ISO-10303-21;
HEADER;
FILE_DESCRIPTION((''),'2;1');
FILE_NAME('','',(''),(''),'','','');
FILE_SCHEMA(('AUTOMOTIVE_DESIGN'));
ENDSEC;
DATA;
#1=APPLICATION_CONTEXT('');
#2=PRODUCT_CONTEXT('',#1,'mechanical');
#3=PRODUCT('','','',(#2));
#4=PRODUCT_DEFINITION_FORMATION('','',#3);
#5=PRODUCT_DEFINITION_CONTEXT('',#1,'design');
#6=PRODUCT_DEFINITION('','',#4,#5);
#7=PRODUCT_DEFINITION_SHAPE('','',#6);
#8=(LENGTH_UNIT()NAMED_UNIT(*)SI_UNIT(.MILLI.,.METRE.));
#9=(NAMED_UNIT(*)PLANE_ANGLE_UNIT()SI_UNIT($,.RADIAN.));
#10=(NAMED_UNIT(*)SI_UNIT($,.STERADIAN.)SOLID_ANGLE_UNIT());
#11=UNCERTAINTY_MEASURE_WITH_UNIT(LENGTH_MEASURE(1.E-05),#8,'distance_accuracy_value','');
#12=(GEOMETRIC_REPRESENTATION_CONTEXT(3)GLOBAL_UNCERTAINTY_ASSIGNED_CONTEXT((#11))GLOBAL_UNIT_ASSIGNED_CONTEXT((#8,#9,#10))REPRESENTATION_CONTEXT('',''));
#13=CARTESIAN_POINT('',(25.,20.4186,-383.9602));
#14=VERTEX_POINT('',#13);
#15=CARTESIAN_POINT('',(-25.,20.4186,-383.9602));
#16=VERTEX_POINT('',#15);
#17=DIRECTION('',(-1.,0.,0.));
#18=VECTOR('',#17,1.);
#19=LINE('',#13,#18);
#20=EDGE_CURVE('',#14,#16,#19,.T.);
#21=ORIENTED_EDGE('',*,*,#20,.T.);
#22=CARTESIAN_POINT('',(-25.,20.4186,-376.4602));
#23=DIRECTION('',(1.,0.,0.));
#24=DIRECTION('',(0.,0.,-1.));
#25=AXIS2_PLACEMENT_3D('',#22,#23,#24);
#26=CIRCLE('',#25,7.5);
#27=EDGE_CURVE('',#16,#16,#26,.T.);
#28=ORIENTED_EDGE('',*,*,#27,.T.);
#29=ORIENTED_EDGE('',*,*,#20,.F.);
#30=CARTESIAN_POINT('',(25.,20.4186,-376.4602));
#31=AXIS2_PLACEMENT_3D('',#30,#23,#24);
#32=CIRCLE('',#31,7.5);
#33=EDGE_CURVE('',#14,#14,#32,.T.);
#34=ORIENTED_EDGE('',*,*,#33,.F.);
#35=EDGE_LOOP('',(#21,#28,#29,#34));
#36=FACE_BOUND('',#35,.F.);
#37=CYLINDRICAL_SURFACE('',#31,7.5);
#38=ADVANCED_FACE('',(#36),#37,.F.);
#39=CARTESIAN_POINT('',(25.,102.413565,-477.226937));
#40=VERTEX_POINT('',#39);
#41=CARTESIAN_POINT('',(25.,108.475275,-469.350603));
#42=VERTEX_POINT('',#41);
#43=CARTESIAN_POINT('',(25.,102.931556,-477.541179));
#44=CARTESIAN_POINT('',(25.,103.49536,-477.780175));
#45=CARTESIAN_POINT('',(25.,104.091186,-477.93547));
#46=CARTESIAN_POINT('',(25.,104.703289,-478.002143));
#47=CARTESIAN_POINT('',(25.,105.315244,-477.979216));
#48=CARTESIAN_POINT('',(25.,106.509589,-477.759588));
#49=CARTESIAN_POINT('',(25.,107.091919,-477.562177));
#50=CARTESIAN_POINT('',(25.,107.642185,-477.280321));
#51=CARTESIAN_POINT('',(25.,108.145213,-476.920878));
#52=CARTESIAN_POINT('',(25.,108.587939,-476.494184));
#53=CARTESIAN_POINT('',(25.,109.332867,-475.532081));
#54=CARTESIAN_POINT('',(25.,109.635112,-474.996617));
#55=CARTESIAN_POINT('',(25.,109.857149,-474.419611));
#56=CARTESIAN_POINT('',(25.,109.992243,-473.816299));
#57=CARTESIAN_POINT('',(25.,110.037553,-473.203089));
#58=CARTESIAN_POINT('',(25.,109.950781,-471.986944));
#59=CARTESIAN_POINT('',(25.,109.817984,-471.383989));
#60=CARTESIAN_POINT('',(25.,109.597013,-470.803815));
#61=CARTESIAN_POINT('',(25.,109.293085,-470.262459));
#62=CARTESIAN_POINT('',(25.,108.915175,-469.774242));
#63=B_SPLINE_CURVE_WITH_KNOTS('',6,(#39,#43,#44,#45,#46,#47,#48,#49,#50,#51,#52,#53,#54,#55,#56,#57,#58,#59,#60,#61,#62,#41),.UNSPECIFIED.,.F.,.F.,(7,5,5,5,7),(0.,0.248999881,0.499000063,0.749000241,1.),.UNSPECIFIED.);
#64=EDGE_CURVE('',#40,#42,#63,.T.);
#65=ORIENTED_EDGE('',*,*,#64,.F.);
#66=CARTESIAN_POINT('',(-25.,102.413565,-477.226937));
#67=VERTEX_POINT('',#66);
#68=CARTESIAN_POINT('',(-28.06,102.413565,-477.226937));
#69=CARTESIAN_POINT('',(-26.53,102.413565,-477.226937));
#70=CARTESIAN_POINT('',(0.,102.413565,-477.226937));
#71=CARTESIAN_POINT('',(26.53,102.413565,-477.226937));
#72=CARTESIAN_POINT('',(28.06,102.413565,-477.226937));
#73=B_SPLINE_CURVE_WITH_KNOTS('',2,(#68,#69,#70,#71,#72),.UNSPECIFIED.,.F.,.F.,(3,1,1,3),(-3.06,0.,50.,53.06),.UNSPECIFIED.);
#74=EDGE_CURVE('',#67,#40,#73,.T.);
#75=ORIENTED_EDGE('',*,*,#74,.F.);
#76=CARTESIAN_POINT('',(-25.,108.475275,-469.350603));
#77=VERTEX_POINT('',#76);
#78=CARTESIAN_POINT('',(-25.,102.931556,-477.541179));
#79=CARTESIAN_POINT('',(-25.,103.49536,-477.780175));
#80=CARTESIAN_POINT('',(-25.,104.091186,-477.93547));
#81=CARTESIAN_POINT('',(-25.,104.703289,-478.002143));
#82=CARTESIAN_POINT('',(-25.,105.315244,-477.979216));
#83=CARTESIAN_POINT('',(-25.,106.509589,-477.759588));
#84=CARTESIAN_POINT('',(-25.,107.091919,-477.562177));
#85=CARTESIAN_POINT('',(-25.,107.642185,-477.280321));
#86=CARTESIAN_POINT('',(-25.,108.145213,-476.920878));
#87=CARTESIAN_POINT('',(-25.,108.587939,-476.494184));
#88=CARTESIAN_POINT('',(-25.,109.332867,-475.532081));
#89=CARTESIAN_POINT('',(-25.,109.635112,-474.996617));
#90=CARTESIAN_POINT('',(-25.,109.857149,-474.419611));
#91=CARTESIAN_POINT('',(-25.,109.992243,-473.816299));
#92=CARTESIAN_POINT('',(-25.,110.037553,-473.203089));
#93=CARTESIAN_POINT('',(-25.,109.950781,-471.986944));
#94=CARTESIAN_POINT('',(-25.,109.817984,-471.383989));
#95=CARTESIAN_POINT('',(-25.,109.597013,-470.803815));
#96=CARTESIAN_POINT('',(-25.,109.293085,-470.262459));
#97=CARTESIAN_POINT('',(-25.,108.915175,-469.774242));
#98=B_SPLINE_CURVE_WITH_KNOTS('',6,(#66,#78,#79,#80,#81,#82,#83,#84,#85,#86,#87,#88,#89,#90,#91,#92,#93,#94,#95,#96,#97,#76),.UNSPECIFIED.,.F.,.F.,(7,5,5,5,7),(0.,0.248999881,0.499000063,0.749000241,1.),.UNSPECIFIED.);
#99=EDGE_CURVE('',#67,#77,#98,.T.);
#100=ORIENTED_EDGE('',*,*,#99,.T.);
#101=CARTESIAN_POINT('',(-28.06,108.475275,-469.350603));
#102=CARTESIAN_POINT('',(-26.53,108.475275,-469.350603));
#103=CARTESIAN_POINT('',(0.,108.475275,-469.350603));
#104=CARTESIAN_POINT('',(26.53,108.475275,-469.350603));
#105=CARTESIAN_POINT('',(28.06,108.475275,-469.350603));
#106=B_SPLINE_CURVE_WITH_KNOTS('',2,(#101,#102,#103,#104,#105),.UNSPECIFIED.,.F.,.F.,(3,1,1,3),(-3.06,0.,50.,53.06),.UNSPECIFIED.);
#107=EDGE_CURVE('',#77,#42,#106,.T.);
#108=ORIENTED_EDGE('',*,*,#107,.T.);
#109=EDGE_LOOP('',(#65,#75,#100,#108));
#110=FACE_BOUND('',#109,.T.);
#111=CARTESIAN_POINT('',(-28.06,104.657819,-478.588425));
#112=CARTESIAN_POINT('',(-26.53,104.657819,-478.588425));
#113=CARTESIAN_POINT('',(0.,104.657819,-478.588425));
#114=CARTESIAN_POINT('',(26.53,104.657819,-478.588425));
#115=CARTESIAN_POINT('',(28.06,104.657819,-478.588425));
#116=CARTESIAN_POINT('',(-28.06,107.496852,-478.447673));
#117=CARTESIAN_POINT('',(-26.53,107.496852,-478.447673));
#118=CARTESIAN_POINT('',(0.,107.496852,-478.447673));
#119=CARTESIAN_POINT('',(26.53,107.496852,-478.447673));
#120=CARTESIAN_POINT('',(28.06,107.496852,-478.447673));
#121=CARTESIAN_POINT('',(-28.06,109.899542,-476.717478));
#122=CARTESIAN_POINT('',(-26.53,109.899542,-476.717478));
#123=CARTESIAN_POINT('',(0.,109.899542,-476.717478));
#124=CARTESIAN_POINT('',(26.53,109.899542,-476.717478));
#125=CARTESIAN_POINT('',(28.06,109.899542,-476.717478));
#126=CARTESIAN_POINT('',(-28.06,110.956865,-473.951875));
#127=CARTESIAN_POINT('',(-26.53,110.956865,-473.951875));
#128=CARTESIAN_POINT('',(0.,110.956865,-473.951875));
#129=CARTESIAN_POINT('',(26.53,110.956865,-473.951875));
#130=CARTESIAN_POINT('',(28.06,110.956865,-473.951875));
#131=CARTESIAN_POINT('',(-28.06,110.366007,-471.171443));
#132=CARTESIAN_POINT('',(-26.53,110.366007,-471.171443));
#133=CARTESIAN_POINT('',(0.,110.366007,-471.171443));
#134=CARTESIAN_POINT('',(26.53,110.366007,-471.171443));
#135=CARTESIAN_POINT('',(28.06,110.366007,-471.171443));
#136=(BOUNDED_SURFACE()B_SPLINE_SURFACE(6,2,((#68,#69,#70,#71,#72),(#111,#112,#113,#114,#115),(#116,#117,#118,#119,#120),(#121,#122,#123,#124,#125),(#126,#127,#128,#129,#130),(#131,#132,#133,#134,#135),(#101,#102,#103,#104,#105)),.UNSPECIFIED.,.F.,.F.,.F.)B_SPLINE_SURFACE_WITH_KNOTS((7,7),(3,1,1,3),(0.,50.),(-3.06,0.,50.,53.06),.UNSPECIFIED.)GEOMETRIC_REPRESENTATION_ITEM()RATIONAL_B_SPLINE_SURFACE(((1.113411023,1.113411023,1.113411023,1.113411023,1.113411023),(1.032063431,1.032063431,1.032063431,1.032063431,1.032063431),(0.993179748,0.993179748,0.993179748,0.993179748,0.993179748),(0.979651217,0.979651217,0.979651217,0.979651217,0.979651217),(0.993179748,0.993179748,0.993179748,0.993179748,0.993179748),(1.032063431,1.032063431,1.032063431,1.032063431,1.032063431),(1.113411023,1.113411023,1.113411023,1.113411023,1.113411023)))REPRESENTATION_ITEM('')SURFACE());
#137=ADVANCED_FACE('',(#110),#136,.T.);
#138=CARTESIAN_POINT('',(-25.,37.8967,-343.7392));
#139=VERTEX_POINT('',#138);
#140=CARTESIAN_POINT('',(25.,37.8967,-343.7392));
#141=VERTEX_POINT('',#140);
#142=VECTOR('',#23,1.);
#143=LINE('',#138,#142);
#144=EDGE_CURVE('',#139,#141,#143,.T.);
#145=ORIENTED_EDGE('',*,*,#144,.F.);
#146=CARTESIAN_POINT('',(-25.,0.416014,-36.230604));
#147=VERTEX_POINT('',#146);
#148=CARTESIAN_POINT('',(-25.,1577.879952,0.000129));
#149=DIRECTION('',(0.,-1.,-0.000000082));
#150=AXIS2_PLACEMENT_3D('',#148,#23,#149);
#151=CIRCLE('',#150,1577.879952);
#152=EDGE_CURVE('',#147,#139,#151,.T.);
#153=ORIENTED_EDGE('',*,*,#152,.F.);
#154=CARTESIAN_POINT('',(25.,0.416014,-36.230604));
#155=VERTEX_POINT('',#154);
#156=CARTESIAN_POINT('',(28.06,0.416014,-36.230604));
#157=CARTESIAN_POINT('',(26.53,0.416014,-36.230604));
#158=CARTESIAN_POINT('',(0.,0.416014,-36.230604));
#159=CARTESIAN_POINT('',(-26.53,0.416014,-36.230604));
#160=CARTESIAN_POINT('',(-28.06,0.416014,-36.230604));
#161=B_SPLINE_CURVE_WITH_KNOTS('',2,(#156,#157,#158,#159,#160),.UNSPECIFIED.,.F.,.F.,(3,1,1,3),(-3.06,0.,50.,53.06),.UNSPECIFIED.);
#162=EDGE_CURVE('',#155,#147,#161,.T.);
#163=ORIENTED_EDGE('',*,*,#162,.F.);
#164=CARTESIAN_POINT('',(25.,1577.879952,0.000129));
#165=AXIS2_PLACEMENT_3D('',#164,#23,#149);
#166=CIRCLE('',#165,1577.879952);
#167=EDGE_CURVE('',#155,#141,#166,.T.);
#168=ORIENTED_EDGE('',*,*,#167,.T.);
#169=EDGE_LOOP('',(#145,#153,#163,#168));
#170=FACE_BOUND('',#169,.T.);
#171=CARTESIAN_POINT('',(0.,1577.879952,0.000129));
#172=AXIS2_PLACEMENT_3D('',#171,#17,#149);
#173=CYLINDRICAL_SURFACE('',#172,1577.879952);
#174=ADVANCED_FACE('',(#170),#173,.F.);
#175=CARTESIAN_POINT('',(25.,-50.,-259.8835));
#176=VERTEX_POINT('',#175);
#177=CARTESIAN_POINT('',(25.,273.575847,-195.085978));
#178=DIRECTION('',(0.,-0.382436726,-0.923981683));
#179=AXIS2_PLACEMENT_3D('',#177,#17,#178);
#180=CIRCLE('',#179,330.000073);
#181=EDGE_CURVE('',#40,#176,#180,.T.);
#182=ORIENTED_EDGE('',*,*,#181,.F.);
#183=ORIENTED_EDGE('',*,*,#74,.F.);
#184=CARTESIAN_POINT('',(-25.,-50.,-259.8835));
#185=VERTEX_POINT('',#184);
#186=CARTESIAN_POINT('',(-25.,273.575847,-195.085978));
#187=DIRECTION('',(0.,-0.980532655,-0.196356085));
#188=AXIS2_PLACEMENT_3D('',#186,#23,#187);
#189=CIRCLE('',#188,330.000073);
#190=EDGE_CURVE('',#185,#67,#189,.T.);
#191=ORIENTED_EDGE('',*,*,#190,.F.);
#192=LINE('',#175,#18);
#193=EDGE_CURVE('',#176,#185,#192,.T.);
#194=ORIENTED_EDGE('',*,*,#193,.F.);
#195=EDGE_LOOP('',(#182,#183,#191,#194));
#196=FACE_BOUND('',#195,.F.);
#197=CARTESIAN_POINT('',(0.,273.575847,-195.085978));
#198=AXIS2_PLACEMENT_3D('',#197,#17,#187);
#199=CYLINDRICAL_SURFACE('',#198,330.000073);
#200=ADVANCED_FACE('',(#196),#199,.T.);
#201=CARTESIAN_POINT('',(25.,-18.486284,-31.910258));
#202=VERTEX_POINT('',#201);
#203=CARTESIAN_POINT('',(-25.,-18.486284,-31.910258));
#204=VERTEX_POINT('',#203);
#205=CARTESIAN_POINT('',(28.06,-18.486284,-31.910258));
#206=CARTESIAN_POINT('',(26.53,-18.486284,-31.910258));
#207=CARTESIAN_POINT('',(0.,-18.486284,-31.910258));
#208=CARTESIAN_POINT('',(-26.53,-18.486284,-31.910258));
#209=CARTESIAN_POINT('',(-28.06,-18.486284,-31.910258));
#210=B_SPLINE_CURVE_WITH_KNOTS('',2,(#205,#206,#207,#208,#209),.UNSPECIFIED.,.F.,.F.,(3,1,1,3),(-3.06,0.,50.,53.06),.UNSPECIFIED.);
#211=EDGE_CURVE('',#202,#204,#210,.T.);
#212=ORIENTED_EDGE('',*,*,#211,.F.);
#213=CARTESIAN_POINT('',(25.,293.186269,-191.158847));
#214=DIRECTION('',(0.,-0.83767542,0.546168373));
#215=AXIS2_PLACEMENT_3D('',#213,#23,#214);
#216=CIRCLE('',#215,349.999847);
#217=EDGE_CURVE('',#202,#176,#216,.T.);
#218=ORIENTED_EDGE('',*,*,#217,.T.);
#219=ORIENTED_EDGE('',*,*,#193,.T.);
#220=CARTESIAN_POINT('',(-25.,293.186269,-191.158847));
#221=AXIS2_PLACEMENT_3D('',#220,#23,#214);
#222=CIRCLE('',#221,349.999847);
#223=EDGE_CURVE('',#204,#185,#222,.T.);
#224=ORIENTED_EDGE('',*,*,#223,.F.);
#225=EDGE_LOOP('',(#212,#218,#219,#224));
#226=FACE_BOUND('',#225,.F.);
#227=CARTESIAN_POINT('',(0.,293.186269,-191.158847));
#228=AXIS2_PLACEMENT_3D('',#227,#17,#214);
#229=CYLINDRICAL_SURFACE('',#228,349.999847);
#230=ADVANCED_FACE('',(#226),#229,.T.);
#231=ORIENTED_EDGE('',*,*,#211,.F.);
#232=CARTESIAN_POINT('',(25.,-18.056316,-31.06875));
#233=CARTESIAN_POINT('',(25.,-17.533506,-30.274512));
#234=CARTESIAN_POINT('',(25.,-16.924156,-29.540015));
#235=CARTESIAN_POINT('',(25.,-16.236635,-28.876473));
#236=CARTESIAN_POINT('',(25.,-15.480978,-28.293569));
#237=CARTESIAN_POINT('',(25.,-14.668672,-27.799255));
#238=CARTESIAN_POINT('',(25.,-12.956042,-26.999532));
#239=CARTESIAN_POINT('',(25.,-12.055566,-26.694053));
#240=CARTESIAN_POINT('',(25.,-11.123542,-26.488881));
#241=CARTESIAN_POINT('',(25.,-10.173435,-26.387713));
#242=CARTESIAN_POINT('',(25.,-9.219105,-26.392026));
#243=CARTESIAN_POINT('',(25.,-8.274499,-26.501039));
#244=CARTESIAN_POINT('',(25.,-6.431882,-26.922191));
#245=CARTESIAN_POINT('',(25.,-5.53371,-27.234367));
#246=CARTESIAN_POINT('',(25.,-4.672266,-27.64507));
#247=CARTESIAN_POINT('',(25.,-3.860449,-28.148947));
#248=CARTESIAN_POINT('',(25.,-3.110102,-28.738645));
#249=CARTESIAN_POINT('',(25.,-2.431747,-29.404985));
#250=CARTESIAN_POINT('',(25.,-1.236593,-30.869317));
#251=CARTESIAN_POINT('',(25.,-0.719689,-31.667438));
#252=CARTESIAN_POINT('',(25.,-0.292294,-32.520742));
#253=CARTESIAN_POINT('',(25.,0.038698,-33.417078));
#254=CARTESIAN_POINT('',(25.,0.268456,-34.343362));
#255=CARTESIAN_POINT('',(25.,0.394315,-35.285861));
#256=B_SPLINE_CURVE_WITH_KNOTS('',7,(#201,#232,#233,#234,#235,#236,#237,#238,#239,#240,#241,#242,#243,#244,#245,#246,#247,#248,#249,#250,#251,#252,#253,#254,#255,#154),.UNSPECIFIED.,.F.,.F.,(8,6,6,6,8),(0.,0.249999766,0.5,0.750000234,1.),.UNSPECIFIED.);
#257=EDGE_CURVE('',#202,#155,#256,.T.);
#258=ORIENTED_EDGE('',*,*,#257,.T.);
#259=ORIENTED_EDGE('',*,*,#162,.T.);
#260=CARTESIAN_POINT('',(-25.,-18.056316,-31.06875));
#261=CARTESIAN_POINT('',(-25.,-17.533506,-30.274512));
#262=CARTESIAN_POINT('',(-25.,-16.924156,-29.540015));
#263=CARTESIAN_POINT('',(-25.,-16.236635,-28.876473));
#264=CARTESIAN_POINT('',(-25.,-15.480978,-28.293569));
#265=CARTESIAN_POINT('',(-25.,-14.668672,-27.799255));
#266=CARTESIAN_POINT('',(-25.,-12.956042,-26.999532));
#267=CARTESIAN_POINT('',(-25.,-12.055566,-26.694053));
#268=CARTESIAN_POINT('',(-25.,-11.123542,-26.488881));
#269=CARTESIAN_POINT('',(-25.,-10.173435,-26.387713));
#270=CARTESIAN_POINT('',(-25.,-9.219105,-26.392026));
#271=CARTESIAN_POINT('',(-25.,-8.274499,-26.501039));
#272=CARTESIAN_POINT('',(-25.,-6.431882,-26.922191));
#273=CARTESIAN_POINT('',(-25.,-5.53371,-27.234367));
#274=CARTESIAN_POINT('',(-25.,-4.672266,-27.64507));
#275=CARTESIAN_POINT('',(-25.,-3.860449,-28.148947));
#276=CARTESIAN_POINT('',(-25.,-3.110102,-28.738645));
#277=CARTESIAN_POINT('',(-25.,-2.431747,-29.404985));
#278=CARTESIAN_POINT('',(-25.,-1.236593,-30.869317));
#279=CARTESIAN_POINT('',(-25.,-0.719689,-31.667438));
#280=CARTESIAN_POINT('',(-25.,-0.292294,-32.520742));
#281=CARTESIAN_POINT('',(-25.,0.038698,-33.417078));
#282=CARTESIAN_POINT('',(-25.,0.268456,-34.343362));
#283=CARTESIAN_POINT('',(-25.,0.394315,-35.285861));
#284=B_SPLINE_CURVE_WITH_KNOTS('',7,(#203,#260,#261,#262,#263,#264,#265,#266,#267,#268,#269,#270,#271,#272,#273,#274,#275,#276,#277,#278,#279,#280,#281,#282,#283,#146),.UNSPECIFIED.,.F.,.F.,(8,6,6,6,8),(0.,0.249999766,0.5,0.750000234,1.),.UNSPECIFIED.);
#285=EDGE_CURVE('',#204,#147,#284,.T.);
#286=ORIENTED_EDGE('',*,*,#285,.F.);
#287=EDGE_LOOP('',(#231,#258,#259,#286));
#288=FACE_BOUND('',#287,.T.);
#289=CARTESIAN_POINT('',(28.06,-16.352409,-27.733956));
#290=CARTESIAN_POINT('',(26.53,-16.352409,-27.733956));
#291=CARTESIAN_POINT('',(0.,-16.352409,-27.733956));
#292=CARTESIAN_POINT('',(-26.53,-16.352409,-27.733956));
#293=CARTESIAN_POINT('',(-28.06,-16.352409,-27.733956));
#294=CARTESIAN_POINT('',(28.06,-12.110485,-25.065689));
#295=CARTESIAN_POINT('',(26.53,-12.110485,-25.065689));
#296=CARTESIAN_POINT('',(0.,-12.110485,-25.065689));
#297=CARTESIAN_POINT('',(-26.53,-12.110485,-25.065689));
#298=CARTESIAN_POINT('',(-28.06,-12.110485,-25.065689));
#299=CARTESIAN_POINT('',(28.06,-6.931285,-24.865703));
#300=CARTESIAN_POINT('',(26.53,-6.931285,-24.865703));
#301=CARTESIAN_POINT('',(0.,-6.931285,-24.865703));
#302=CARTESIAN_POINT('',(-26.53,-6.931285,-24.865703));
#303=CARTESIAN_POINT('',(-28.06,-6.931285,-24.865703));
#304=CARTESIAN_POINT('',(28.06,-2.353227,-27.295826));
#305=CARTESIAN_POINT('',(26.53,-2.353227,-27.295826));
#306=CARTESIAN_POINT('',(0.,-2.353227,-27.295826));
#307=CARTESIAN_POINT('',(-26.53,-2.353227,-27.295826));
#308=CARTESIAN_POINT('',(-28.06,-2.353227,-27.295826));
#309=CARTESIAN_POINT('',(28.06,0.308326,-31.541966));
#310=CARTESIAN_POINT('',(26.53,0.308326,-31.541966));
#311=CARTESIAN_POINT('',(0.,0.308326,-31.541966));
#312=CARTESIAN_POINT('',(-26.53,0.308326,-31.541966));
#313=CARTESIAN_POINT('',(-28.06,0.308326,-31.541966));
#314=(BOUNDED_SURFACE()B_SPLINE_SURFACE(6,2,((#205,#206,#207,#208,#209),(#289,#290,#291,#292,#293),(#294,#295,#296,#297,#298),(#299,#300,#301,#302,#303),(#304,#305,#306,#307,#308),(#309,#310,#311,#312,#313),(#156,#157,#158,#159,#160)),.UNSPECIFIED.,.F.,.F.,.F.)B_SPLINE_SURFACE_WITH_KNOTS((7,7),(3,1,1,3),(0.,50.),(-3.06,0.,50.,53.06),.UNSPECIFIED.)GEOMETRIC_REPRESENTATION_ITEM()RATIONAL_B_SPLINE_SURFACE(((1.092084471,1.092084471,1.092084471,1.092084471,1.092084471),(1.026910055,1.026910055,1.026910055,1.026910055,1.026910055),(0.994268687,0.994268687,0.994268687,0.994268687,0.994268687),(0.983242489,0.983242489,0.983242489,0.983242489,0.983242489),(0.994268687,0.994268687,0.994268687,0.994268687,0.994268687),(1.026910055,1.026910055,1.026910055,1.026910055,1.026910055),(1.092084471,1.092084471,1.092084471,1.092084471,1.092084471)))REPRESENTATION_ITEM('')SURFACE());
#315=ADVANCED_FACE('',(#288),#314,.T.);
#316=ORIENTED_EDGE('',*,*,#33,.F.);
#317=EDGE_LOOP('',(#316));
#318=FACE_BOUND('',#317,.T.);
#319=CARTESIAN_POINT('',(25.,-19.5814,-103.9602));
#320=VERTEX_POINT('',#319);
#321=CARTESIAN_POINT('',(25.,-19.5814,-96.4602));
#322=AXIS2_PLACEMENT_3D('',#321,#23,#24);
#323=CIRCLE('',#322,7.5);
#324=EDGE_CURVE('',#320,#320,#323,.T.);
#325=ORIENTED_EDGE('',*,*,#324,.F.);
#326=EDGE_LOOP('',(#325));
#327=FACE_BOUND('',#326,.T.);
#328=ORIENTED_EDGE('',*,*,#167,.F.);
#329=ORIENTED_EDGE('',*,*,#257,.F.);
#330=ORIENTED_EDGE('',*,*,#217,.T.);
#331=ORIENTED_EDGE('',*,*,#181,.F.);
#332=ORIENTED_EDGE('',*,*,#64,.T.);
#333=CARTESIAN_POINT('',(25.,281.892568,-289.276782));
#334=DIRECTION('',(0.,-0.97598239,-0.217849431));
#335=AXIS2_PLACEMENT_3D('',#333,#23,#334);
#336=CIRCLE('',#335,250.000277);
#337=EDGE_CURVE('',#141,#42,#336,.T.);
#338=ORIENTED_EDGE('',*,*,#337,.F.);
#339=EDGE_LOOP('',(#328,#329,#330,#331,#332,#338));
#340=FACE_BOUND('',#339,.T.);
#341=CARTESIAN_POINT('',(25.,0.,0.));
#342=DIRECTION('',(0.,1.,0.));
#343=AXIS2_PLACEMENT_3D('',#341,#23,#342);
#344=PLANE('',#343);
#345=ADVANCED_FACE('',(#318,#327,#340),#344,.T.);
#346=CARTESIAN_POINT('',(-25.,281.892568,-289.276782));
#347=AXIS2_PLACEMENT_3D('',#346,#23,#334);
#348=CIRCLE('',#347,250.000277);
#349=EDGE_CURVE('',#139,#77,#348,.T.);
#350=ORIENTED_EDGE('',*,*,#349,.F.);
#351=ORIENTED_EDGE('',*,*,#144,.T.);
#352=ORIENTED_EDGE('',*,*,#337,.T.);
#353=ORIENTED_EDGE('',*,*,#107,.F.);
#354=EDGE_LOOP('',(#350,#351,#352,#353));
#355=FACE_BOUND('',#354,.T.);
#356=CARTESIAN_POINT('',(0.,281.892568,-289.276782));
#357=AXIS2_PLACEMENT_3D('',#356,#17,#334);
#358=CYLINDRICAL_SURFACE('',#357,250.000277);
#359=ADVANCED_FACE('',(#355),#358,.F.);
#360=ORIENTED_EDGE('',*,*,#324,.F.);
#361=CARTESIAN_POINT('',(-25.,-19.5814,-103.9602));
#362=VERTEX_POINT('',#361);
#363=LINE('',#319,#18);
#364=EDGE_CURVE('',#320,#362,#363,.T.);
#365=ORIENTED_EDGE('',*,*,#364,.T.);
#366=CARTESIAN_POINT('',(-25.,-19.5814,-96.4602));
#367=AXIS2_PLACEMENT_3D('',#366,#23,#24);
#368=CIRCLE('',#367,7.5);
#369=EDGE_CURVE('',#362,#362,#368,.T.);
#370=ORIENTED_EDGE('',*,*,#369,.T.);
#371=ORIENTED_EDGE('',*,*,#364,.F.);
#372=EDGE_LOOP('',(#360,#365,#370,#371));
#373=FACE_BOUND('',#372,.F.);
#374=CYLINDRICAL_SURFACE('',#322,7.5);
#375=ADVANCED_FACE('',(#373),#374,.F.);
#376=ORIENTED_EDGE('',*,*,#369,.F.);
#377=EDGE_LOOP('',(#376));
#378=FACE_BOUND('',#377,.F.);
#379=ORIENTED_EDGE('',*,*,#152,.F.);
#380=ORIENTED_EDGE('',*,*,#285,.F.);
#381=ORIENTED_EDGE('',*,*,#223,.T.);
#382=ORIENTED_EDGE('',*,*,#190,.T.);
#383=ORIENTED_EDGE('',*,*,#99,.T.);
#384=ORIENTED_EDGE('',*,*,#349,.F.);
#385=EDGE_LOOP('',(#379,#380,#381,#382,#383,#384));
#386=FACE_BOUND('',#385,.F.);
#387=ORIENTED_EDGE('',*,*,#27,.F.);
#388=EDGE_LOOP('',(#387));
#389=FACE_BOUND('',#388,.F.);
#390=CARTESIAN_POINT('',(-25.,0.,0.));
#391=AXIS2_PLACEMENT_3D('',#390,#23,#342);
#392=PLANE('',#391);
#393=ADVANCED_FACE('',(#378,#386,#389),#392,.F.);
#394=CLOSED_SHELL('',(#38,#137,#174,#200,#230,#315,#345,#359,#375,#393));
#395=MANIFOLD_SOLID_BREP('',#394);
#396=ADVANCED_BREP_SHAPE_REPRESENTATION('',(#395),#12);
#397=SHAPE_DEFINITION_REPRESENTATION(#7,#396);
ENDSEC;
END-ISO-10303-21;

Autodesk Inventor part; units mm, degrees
ref_plane "YZ Plane" through (0, 0, 0) normal (1, 0, 0) x (0, 1, 0)
ref_plane "XZ Plane" through (0, 0, 0) normal (0, 1, 0) x (-1, 0, 0)
ref_plane "XY Plane" through (0, 0, 0) normal (0, 0, 1) x (1, 0, 0)
sketch "スケッチ1" plane through (0, 0, 0) normal (1, 0, 0) x (0, 1, 0)
  line L0 (0, 0) -> (147.3717, -500)
  arc A0 (0, 0) -> (37.8967, -343.7392) centre (1577.8776, 0) ccw
  arc A1 (37.8967, -343.7392) -> (147.3717, -500) centre (281.8923, -289.2769) ccw
  arc A2 (0, 0) -> (-50, -259.8835) centre (293.1864, -191.1589) ccw
  arc A3 (-50, -259.8835) -> (147.3717, -500) centre (273.5758, -195.086) ccw
  line L1 (0, -630.6128) -> (0, 110.8282) projected
  point P0 (35.1596, -247.5153)
  dimension "d1" = 500
  dimension "d2" = 250
  dimension "d3" = 1577.8776
  dimension "d4" = 250
  dimension "d6" = 350
  dimension "d21" = 330
  dimension "d26" = 50
extrude "押し出し1" add sketch "スケッチ1" along normal mid plane 50 contours L1 A3 A2 | A0 A1 A3 L1
fillet "フィレット1" radius 10 1 edges at (0, 0, 0)
fillet "フィレット1" radius 5 1 edges at (0, 147.3717, -500)
sketch "スケッチ2" plane through (25, 0, 0) normal (1, 0, 0) x (0, 0, -1)
  circle A0 centre (96.4602, -19.5814) radius 7.5
  circle A1 centre (376.4602, 20.4186) radius 7.5
  arc A2 (36.2306, 0.416) -> (31.9103, -18.4863) centre (36.4602, -9.5814) ccw projected
  point P0 (0, 0)
  dimension "d11" = 15
  dimension "d12" = 15
  dimension "d13" = 280
  dimension "d16" = 40
  dimension "d24" = 60
  dimension "d25" = 10
extrude "押し出し2" cut sketch "スケッチ2" against normal through all
properties part number "styro_50_main" material "ポリスチレン、耐衝撃性"
